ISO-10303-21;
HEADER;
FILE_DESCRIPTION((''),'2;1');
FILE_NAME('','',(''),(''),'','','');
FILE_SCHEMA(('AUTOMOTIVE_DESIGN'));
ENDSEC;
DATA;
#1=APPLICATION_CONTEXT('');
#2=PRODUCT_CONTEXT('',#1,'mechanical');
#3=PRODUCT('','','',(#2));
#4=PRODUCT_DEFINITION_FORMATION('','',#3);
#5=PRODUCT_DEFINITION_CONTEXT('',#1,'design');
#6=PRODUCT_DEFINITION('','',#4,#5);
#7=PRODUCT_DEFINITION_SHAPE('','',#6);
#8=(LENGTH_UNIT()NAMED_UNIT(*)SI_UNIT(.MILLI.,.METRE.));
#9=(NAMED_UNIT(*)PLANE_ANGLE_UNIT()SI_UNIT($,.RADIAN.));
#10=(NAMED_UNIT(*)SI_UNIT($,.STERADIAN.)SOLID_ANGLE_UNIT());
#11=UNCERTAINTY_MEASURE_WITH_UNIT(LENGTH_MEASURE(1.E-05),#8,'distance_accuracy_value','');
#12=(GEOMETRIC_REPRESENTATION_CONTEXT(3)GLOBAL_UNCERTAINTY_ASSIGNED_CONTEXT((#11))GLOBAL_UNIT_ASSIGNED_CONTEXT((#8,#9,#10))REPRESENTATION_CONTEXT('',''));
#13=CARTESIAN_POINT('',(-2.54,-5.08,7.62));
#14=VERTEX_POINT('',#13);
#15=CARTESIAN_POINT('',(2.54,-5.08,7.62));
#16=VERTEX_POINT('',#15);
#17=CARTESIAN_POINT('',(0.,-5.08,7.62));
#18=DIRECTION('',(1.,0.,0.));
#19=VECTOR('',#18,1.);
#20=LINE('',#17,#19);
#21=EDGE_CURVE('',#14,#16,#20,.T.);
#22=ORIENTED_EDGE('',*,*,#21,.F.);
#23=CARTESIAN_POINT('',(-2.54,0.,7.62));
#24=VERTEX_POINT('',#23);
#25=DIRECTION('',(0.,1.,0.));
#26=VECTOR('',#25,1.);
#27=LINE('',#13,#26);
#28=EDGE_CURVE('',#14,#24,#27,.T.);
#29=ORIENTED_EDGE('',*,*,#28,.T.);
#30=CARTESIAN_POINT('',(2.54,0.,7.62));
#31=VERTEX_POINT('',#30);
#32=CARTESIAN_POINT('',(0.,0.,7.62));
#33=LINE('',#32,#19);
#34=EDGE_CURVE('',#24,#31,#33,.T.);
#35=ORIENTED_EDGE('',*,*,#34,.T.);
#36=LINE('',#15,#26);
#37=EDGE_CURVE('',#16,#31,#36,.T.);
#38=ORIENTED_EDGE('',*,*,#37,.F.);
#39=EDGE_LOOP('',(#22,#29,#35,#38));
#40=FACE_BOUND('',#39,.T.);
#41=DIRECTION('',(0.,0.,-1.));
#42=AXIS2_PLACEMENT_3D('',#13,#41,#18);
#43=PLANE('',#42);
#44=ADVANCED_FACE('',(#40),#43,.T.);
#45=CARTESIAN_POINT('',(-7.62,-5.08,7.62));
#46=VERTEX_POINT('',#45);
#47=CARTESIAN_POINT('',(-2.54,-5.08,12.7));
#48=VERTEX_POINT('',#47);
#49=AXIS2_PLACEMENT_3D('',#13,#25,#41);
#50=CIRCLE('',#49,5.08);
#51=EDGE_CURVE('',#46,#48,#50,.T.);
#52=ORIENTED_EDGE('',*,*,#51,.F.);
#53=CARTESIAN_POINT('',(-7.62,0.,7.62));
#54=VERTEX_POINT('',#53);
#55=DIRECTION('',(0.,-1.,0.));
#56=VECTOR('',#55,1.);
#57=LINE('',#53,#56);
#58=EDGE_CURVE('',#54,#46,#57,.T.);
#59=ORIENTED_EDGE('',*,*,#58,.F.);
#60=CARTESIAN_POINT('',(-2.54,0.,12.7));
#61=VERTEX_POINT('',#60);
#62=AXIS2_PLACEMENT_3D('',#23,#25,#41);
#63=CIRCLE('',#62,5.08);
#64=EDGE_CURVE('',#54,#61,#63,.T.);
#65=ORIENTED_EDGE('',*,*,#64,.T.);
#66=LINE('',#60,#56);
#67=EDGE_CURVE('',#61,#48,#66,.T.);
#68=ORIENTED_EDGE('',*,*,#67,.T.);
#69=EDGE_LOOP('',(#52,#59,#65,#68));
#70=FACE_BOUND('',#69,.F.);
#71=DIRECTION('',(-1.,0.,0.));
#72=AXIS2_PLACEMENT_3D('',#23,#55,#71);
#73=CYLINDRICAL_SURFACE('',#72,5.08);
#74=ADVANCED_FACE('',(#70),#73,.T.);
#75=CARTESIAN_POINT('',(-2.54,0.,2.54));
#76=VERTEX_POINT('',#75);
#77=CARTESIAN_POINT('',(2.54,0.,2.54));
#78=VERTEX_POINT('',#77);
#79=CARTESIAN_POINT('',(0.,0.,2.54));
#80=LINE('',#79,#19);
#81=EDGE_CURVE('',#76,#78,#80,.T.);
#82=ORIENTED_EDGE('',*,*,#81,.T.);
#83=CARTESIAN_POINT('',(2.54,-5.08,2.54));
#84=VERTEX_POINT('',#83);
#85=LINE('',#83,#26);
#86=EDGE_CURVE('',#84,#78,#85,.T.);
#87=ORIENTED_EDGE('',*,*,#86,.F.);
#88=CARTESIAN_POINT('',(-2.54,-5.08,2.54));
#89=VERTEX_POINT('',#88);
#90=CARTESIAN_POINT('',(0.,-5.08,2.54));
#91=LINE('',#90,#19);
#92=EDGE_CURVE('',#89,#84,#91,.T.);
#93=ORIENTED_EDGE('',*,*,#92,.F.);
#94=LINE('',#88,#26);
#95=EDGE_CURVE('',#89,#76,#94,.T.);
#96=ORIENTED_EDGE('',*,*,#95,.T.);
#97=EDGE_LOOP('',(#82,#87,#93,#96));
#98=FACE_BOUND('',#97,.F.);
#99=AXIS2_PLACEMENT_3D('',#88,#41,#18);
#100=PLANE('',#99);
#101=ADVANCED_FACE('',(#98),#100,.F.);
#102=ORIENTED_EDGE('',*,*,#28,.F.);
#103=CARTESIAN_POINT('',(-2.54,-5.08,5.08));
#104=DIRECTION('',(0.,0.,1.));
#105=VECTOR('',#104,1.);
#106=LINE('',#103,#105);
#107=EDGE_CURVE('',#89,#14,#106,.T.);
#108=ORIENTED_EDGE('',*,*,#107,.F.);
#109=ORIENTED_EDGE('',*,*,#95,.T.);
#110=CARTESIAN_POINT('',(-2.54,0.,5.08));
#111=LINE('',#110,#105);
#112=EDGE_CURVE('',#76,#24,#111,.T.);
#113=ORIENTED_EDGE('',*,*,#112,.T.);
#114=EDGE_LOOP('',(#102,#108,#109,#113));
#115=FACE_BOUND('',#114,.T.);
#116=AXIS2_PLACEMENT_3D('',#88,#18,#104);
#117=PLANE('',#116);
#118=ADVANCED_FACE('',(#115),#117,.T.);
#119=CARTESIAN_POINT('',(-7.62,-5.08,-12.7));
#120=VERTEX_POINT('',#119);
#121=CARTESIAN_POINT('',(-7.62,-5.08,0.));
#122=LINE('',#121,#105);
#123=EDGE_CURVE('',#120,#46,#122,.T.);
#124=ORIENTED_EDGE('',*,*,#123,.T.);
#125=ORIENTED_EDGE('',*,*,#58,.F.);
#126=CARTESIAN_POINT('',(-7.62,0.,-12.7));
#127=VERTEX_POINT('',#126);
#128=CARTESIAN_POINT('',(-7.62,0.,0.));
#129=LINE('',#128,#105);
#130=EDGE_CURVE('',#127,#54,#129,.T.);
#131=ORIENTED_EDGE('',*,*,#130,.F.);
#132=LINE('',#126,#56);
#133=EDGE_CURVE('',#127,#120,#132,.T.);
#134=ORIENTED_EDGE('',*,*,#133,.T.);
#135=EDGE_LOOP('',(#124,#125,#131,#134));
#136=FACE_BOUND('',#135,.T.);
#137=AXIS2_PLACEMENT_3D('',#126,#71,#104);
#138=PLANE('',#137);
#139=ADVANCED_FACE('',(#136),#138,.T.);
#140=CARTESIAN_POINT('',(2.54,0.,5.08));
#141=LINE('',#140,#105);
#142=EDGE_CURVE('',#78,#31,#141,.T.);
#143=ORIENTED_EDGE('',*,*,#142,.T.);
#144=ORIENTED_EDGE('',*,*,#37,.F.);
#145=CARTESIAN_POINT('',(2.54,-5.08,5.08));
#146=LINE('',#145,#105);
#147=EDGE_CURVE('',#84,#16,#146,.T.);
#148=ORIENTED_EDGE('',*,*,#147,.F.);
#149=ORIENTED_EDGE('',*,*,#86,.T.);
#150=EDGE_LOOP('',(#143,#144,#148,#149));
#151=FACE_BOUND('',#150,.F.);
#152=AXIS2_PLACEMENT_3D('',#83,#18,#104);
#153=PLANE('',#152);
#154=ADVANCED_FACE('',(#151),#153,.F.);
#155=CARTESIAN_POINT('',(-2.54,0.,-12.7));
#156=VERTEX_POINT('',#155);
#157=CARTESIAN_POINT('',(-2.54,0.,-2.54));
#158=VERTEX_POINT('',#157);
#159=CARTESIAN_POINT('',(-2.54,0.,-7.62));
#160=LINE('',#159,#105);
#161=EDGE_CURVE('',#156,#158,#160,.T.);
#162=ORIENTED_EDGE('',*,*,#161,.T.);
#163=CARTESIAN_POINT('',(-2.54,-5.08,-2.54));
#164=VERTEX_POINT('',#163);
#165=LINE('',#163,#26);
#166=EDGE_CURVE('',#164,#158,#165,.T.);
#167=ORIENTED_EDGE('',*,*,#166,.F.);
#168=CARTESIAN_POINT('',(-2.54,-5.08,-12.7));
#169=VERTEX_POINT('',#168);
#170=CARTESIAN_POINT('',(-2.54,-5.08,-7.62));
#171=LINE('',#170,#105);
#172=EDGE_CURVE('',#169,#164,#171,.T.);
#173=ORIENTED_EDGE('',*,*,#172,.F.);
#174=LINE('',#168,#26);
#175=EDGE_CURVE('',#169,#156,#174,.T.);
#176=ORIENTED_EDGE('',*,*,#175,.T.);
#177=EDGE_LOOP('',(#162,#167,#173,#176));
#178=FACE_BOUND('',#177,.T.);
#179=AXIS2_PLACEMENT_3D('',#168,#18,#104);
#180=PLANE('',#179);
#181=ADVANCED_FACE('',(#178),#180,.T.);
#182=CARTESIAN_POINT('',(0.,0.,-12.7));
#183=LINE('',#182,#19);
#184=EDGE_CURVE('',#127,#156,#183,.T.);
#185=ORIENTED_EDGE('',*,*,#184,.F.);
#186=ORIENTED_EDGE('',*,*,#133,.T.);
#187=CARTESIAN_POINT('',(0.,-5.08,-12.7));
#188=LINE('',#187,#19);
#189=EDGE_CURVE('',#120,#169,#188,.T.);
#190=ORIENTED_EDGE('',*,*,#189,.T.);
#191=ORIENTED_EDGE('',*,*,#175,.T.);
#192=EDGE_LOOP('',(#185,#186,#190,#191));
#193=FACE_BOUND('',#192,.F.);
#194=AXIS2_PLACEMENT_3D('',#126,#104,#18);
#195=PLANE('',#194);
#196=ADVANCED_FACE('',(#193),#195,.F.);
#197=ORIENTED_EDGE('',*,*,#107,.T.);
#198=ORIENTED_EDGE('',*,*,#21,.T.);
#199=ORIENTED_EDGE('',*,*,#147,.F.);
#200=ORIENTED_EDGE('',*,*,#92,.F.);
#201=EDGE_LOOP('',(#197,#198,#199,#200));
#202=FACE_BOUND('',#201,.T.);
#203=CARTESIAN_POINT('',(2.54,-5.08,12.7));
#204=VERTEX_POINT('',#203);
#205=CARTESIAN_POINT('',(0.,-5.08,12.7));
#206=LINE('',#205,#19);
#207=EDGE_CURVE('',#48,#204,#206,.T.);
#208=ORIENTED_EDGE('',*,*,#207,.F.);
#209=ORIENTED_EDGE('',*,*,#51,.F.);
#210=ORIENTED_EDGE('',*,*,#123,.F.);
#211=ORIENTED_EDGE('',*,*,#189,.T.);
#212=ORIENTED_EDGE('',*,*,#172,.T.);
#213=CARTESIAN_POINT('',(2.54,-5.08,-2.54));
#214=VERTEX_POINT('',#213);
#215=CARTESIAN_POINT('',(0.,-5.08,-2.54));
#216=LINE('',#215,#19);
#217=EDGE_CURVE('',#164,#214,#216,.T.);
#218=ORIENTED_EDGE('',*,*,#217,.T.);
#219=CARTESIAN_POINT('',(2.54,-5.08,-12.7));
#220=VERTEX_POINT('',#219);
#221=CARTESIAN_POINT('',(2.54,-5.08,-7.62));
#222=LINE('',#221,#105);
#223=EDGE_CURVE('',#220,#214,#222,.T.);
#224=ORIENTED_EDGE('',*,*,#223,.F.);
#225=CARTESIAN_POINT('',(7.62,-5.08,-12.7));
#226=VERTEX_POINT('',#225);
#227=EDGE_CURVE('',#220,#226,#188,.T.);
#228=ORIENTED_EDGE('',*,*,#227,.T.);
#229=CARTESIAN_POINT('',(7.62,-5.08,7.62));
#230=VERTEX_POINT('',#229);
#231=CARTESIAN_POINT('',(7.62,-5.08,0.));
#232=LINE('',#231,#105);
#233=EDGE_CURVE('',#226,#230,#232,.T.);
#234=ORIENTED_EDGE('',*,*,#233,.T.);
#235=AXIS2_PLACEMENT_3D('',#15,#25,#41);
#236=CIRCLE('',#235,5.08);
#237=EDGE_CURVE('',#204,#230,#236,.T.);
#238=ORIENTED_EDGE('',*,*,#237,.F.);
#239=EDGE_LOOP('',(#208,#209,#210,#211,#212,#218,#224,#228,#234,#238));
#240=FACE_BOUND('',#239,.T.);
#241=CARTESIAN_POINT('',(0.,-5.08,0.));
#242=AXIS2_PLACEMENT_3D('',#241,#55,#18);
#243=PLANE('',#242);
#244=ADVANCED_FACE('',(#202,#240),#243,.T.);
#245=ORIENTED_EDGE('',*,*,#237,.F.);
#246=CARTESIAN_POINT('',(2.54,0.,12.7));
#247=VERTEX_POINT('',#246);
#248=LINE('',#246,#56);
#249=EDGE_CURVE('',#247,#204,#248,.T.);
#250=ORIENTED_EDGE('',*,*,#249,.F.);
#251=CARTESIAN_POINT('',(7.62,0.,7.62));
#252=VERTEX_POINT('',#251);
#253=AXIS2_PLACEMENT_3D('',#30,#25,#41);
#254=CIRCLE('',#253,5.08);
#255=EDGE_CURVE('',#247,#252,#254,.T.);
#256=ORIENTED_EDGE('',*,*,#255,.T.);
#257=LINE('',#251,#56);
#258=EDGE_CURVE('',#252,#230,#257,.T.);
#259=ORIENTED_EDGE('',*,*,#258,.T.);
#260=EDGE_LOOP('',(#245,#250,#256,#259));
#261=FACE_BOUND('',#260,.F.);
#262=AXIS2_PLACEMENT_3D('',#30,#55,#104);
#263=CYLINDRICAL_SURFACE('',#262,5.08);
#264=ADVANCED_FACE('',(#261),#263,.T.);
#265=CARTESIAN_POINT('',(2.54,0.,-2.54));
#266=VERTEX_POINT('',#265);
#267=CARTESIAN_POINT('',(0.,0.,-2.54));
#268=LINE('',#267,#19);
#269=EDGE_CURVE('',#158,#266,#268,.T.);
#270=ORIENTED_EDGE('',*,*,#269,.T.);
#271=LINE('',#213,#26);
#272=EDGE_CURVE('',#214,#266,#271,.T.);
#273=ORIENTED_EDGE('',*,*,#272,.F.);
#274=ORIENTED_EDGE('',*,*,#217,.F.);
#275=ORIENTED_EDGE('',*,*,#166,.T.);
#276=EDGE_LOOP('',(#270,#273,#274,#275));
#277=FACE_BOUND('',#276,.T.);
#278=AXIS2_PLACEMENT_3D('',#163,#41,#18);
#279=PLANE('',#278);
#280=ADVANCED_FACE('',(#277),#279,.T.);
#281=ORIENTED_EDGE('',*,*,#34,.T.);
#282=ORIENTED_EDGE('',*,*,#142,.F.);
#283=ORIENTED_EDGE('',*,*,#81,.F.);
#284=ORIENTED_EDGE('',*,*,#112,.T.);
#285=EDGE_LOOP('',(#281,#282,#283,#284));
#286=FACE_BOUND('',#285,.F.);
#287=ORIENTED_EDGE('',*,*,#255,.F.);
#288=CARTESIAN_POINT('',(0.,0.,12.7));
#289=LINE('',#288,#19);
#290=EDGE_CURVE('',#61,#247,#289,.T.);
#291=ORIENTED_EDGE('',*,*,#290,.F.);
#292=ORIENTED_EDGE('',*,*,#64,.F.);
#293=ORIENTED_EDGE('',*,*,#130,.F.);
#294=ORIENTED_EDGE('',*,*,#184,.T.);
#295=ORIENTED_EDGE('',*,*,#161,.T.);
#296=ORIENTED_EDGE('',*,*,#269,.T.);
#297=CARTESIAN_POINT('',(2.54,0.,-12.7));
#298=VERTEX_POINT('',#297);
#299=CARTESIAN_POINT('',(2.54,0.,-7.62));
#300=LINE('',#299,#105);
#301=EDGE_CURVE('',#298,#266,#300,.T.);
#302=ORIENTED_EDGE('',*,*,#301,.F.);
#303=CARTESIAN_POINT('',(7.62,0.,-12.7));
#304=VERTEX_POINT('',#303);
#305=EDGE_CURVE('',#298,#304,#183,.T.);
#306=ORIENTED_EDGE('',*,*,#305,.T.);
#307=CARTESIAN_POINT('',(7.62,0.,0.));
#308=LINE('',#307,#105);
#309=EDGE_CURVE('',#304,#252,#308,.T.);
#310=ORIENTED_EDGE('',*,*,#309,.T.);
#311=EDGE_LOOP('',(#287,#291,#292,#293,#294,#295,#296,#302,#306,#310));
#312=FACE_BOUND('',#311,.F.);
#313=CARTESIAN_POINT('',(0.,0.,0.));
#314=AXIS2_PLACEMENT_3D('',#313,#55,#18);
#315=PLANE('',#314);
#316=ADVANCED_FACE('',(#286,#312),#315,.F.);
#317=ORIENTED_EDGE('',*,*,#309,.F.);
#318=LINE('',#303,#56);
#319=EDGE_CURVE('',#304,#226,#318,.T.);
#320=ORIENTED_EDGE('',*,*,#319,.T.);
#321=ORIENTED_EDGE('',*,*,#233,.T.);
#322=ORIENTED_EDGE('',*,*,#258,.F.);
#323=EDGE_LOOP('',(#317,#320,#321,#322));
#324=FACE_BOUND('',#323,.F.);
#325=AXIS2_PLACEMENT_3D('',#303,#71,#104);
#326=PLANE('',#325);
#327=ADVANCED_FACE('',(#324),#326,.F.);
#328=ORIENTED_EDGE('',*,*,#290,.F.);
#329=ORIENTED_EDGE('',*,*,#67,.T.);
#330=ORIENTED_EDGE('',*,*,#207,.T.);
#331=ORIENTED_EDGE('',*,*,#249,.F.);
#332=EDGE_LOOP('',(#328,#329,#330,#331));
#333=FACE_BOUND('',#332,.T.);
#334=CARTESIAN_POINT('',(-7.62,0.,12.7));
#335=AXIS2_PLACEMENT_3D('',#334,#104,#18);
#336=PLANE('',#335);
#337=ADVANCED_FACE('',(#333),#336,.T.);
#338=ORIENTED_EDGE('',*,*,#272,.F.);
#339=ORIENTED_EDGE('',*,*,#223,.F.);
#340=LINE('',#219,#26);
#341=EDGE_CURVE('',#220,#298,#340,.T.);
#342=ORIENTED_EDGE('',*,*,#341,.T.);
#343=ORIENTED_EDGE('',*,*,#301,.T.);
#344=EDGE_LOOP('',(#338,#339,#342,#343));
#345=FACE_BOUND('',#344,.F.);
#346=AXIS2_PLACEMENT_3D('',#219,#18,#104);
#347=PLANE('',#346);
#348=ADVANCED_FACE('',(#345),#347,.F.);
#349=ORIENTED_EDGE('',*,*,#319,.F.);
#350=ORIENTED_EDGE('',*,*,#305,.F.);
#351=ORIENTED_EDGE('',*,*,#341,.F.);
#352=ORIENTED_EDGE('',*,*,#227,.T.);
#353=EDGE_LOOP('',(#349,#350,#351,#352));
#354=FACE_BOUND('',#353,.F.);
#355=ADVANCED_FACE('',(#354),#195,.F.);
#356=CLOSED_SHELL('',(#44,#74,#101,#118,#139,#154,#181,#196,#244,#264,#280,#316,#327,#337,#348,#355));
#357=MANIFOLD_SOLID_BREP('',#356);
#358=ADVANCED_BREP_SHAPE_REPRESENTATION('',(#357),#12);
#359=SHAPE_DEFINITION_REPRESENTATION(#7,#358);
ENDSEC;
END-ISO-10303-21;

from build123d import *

# Parameters (mm, degrees)
F0_W     = 15.24
F0_H     = 25.4
F1_DEPTH = 5.08
F2_W     = 5.08
F2_H     = 5.08
F2_H_2   = 10.16
F3_DEPTH = 5.08
F4_R     = 5.08


with BuildPart() as f1:
    # F0 (on Front) → F1 (new body)
    with BuildSketch(Plane.XZ):
        Rectangle(F0_W, F0_H)
    extrude(amount=F1_DEPTH)

    # F2 (on face) → F3 (cut)
    with BuildSketch(Plane.XZ.offset(5.08)):
        with Locations((0, 5.08)):
            Rectangle(F2_W, F2_H)
        with Locations((0, -7.62)):
            Rectangle(F2_W, F2_H_2)
    extrude(amount=-F3_DEPTH, mode=Mode.SUBTRACT)

    # F4
    f4_edges = [f1.edges().sort_by_distance(p)[0] for p in [
        (-7.62, -2.54, 12.7),
        (7.62, -2.54, 12.7),
    ]]
    fillet(f4_edges, radius=F4_R)


solid = f1.part
